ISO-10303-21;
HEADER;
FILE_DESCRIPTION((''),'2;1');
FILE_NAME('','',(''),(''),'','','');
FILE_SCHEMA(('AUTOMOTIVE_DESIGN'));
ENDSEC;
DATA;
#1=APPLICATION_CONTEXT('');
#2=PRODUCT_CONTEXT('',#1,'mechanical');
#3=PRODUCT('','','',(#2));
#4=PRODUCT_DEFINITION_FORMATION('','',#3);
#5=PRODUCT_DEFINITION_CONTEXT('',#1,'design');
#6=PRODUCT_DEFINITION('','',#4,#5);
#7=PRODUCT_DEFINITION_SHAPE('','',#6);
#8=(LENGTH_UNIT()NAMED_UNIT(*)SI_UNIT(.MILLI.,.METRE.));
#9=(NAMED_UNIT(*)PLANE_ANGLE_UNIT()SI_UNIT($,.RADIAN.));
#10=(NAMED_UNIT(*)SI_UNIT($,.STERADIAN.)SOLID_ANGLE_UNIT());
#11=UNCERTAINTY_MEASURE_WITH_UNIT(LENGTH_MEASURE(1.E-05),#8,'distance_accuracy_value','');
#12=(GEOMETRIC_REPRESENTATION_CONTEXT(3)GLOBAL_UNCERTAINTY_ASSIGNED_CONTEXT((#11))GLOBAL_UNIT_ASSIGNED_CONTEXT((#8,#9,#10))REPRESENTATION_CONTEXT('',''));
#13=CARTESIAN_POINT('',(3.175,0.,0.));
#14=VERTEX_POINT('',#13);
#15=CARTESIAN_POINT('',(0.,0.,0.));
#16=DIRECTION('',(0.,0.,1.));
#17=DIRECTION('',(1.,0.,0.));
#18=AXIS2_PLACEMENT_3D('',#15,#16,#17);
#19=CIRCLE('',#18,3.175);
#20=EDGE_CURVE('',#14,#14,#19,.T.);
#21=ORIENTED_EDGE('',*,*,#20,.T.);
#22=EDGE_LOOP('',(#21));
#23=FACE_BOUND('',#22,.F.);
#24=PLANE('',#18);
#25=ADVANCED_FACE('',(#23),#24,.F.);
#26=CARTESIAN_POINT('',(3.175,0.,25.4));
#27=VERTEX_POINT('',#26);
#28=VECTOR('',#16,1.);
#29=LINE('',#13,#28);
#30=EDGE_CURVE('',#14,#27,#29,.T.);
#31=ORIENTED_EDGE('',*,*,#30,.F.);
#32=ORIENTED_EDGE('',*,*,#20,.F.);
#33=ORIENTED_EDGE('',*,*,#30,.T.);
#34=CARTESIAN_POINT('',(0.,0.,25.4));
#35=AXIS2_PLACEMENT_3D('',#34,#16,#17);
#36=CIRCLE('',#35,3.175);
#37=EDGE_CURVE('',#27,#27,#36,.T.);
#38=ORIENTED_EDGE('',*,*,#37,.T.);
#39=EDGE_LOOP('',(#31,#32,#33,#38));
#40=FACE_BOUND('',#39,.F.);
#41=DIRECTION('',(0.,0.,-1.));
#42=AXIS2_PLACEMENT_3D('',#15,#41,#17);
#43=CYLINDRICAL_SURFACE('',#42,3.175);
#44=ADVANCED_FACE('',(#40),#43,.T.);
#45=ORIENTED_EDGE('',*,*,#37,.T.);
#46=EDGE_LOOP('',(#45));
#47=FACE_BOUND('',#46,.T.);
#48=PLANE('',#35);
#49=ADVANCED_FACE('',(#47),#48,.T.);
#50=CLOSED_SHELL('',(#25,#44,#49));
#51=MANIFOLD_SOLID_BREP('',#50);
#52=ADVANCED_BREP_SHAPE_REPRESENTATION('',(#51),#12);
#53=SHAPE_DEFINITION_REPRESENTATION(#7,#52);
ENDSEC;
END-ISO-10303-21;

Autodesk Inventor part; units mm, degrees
ref_plane "YZ Plane" through (0, 0, 0) normal (1, 0, 0) x (0, 1, 0)
ref_plane "XZ Plane" through (0, 0, 0) normal (0, 1, 0) x (-1, 0, 0)
ref_plane "XY Plane" through (0, 0, 0) normal (0, 0, 1) x (1, 0, 0)
sketch "Sketch1" plane through (0, 0, 0) normal (0, 0, 1) x (1, 0, 0)
  circle A0 centre (0, 0) radius 3.175
  dimension "d0" = 6.35
extrude "Extrusion1" add sketch "Sketch1" along normal blind 25.4
properties part number "0.5 in rod"
